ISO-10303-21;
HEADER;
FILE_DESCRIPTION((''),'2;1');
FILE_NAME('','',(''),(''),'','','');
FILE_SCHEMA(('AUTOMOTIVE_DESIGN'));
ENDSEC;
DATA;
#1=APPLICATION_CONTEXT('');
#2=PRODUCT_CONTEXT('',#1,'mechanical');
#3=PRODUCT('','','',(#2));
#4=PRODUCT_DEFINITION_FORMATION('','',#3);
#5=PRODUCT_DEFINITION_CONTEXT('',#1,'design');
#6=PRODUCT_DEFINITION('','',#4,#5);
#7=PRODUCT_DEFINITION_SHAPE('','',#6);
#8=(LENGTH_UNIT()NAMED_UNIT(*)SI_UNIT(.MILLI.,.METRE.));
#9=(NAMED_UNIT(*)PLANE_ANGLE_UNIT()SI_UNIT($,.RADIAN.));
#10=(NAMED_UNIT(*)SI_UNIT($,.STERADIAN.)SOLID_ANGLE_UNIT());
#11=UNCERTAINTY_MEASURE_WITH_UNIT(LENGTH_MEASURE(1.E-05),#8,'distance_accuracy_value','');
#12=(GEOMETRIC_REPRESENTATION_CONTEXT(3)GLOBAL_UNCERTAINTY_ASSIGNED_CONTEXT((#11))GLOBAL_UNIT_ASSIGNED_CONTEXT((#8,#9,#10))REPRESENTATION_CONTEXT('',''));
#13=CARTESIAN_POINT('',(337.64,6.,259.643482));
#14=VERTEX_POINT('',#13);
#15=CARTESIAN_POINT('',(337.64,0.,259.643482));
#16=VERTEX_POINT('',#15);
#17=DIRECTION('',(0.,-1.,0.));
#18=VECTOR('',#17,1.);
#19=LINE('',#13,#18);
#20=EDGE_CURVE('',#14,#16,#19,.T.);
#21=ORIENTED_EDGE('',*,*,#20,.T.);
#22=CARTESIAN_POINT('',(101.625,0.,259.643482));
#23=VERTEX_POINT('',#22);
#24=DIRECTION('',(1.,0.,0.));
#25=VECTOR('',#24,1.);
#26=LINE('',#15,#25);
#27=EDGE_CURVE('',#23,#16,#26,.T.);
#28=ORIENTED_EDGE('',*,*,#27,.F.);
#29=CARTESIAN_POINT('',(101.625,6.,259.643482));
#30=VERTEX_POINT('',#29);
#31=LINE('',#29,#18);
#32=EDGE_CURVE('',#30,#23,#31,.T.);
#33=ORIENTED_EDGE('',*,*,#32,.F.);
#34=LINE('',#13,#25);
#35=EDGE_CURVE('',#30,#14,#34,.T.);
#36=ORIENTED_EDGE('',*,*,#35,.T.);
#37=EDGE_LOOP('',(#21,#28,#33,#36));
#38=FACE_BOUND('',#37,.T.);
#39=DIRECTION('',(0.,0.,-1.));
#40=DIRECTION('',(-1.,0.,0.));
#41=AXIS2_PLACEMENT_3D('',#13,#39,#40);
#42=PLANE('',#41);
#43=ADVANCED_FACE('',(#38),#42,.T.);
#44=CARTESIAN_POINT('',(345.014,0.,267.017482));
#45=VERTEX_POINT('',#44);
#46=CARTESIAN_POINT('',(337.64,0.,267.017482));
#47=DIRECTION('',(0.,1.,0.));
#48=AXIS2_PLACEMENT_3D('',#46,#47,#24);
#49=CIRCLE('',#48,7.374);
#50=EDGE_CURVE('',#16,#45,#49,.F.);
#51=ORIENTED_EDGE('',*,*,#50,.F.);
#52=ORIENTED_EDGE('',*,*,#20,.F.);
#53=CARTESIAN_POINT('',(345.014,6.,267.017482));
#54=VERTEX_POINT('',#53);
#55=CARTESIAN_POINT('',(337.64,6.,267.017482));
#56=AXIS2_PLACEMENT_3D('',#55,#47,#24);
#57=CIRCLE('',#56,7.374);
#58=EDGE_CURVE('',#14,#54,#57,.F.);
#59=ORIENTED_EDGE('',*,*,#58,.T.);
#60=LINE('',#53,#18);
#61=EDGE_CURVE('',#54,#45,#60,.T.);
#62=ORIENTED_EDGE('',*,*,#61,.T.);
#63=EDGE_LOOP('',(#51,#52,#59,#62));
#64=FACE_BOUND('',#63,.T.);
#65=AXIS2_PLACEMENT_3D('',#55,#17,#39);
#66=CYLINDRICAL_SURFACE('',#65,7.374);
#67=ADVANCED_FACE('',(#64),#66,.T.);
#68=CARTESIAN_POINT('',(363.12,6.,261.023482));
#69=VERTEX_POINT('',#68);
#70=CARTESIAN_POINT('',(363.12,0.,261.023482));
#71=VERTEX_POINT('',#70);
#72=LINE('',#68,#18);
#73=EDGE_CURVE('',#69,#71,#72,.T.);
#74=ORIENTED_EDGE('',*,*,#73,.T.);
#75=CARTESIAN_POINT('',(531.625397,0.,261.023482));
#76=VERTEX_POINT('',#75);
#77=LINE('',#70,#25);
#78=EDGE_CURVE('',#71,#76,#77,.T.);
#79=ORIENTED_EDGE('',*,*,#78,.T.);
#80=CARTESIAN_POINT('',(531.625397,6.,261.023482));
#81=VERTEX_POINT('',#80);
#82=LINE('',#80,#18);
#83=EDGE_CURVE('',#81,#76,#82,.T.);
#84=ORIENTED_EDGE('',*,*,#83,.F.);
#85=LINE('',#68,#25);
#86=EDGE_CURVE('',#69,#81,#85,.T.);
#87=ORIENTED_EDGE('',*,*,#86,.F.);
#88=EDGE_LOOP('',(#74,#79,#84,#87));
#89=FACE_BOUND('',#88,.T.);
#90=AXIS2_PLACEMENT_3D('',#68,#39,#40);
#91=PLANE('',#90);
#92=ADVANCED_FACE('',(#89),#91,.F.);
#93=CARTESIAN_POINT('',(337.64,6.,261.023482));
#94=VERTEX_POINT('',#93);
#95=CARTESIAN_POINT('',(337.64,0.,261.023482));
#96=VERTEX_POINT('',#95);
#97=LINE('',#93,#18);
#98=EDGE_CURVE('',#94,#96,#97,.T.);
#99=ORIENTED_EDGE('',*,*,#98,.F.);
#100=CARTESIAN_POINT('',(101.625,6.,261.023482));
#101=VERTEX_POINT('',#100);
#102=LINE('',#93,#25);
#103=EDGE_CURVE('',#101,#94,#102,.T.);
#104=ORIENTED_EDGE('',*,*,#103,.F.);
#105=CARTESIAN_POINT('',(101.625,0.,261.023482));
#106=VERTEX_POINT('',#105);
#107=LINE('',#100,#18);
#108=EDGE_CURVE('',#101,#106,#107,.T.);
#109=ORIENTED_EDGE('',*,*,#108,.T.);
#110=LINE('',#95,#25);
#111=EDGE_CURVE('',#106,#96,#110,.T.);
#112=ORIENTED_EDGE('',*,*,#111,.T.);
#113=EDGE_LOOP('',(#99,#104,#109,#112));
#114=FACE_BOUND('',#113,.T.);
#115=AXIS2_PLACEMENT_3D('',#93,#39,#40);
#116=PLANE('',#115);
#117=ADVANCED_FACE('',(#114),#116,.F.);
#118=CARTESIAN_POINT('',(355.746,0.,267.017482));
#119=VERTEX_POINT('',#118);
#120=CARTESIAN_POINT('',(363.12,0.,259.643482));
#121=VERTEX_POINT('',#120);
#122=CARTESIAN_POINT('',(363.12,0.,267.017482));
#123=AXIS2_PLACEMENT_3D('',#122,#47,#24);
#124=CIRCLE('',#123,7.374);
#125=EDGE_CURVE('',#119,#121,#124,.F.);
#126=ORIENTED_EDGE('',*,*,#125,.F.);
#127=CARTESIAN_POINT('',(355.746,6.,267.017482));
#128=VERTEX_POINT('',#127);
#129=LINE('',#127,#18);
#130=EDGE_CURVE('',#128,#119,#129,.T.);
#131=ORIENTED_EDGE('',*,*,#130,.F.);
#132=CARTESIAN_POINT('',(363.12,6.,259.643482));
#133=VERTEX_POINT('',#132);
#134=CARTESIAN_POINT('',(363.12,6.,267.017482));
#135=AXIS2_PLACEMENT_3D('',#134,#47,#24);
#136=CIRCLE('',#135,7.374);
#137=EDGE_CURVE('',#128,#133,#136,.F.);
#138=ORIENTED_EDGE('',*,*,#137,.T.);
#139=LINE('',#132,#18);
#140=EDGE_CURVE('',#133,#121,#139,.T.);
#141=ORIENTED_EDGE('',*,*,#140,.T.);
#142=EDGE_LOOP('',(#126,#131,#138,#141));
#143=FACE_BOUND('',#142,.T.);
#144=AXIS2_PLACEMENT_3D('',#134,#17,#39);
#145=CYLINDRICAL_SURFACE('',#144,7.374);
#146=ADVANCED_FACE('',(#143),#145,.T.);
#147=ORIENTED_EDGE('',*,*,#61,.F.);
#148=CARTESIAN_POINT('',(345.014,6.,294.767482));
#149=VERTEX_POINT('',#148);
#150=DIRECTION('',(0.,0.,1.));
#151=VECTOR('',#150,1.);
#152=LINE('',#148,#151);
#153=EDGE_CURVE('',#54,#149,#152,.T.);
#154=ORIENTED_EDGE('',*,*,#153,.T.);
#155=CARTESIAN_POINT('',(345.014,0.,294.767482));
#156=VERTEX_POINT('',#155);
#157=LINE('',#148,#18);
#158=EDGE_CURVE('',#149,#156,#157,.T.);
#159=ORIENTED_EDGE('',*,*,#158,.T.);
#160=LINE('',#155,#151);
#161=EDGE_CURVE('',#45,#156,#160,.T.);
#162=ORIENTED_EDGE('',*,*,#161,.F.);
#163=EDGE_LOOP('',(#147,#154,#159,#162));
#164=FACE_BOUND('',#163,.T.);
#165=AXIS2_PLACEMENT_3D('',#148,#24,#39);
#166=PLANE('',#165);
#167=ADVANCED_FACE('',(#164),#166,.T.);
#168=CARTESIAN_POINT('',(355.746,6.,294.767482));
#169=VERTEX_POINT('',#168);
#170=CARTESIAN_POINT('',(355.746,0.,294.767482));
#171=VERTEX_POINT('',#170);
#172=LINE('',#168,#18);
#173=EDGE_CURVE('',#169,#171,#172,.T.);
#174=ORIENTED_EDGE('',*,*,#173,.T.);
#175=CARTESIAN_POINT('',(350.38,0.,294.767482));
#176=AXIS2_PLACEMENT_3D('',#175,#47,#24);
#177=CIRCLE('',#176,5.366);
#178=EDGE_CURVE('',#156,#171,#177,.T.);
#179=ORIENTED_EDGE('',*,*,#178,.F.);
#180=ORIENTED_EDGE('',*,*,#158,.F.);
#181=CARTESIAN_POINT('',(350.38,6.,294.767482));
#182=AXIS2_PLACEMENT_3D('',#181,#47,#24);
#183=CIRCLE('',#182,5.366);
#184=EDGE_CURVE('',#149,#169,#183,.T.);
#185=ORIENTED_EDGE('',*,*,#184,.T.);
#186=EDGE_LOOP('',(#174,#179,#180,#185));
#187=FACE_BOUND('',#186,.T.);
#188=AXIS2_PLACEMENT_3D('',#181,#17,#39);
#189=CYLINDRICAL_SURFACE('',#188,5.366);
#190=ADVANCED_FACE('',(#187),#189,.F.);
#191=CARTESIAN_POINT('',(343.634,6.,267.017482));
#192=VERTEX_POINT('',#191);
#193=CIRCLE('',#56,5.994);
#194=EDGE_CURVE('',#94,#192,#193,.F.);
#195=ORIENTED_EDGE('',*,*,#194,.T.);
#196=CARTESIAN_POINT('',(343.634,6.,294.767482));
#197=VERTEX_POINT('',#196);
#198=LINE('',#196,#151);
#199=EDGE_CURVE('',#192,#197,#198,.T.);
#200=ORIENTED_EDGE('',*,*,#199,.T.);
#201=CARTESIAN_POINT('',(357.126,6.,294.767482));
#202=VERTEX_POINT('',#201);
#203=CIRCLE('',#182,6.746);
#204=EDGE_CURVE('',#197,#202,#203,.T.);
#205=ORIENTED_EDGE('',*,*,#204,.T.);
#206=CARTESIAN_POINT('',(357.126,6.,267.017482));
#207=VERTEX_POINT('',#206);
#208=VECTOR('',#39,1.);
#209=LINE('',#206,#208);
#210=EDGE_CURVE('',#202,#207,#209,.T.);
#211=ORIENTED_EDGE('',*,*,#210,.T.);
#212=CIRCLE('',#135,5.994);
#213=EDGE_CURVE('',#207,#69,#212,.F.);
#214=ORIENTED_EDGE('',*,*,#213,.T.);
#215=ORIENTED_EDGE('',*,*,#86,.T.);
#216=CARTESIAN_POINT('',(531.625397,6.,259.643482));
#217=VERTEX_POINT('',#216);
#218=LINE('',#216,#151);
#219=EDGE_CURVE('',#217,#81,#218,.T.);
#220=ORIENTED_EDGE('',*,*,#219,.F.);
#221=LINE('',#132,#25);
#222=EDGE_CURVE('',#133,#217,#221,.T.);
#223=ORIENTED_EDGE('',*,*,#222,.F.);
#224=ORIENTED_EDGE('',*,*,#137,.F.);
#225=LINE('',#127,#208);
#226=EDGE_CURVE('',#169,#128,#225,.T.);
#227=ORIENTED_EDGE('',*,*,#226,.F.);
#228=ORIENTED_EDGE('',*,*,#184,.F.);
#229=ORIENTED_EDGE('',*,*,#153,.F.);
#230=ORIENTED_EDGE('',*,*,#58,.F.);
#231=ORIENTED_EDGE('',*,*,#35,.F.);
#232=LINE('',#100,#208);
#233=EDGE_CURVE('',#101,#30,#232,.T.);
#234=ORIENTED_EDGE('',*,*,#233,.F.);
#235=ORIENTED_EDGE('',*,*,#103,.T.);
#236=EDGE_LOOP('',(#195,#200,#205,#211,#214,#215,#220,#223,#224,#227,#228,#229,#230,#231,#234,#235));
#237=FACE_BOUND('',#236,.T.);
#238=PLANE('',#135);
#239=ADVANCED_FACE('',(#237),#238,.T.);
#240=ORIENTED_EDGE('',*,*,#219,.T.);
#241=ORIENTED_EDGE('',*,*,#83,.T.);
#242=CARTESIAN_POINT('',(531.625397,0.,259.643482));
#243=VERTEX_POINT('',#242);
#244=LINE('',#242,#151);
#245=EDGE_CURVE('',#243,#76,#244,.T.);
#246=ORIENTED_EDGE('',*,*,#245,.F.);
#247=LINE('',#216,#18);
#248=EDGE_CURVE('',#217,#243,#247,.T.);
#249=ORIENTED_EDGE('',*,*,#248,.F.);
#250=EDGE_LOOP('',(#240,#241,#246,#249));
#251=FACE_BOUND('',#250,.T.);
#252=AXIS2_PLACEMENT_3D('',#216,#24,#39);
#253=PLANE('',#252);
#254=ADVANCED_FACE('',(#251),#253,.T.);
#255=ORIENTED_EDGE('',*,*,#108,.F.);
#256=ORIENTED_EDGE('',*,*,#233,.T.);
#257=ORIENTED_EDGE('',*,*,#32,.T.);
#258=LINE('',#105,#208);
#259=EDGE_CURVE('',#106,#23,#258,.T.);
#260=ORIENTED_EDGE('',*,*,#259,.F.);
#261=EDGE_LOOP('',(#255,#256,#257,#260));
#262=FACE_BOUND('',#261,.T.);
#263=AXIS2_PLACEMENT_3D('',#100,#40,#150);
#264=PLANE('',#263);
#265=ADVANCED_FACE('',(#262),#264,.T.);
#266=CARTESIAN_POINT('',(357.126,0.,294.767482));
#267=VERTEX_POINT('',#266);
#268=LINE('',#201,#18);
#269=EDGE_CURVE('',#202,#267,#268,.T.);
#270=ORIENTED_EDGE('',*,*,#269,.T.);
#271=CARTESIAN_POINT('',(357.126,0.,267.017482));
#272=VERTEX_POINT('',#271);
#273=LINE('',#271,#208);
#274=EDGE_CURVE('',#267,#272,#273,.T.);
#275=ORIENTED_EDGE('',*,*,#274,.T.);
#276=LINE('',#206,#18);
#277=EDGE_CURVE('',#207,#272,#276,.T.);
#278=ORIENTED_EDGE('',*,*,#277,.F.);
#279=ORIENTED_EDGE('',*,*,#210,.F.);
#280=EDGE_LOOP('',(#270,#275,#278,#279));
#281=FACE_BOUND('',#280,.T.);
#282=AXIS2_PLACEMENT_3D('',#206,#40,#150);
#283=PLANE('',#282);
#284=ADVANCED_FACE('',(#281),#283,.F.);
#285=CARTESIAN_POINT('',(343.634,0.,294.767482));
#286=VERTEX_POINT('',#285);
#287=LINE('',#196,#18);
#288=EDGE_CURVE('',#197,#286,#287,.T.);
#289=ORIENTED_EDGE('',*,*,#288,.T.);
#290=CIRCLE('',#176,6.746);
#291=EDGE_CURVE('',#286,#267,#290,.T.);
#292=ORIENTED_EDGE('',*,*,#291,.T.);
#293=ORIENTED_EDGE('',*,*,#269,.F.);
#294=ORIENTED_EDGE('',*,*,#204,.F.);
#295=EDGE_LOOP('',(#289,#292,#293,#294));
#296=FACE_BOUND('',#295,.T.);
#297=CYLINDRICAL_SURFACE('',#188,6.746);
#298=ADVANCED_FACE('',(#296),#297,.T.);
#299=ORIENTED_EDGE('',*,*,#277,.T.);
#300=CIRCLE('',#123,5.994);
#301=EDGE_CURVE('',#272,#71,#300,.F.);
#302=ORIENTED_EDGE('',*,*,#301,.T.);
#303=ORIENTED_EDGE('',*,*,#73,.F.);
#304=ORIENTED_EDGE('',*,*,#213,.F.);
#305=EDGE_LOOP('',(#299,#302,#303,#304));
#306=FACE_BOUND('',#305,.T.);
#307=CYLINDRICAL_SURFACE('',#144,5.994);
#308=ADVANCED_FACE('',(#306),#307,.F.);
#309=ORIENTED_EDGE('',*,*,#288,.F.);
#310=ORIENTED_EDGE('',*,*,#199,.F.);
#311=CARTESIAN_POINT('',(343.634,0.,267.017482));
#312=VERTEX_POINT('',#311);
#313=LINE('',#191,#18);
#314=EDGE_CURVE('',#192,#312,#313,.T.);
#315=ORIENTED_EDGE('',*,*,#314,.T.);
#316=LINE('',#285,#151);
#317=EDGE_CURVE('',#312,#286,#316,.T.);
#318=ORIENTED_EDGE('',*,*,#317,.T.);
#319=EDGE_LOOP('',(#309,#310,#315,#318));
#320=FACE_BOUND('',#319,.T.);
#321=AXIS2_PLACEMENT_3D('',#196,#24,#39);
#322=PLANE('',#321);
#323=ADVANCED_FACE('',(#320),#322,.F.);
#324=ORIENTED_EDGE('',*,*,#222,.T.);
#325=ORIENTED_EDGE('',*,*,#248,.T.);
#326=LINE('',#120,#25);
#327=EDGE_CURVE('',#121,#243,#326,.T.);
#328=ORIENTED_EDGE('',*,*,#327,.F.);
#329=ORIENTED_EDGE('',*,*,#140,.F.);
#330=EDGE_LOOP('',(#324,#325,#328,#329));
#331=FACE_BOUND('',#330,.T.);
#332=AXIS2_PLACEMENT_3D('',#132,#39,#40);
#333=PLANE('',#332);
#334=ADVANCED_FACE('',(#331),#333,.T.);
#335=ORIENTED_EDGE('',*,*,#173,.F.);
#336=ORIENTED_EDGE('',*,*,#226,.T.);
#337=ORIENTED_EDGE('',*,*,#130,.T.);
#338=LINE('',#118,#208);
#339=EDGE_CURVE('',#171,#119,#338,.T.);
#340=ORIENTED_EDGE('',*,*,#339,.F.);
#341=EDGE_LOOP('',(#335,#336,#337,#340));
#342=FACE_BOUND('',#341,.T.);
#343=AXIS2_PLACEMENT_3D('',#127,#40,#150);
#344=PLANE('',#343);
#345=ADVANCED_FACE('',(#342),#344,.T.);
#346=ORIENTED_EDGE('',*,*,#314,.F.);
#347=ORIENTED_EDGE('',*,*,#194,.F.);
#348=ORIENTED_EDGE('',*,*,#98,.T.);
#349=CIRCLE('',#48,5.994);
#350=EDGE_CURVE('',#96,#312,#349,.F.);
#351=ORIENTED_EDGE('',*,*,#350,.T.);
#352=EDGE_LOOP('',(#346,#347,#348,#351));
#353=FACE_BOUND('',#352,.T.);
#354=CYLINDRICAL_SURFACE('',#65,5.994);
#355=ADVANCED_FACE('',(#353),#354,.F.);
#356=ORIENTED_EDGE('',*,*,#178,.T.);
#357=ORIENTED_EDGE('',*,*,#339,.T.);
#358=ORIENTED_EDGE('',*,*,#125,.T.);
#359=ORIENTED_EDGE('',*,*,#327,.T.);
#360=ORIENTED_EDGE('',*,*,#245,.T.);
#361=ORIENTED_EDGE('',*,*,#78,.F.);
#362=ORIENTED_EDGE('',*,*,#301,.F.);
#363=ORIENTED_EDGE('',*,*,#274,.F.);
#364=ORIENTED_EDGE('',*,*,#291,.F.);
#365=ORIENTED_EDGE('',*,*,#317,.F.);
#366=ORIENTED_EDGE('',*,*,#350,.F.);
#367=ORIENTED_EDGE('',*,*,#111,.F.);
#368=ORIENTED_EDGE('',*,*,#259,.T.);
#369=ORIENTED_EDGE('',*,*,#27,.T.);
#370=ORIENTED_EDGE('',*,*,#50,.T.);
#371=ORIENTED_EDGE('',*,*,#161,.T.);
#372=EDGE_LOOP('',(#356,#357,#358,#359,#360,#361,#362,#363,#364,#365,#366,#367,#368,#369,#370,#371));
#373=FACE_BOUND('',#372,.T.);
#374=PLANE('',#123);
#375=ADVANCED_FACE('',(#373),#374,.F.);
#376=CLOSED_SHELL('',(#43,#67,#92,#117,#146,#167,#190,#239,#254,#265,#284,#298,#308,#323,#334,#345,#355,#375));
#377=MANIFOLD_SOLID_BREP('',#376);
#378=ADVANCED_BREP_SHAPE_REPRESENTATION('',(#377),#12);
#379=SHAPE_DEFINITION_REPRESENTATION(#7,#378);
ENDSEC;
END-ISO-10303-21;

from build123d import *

# Parameters (mm, degrees)
EXTRUDE_THIN1_DEPTH = 6


with BuildPart() as part:
    # Sketch1 → Extrude-Thin1 (new body)
    with BuildSketch(Plane(origin=(0, 0, 0), x_dir=(1, 0, 0), z_dir=(0, 1, 0))):
        with BuildLine():
            Line((531.62539661, -259.643481844), (363.12, -259.643481844))
            ThreePointArc((363.12, -259.643481844), (357.905794596, -261.80327644), (355.746, -267.017481844))
            Line((355.746, -267.017481844), (355.746, -294.767481844))
            ThreePointArc((355.746, -294.767481844), (350.38, -300.133481844), (345.014, -294.767481844))
            Line((345.014, -294.767481844), (345.014, -267.017481844))
            ThreePointArc((345.014, -267.017481844), (342.854205404, -261.80327644), (337.64, -259.643481844))
            Line((337.64, -259.643481844), (101.625, -259.643481844))
            Line((101.625, -259.643481844), (101.625, -261.023481844))
            Line((101.625, -261.023481844), (337.64, -261.023481844))
            ThreePointArc((337.64, -261.023481844), (341.878398046, -262.779083798), (343.634, -267.017481844))
            Line((343.634, -267.017481844), (343.634, -294.767481844))
            ThreePointArc((343.634, -294.767481844), (350.38, -301.513481844), (357.126, -294.767481844))
            Line((357.126, -294.767481844), (357.126, -267.017481844))
            ThreePointArc((357.126, -267.017481844), (358.881601954, -262.779083798), (363.12, -261.023481844))
            Line((363.12, -261.023481844), (531.62539661, -261.023481844))
            Line((531.62539661, -261.023481844), (531.62539661, -259.643481844))
        make_face()
    extrude(amount=EXTRUDE_THIN1_DEPTH)


solid = part.part
